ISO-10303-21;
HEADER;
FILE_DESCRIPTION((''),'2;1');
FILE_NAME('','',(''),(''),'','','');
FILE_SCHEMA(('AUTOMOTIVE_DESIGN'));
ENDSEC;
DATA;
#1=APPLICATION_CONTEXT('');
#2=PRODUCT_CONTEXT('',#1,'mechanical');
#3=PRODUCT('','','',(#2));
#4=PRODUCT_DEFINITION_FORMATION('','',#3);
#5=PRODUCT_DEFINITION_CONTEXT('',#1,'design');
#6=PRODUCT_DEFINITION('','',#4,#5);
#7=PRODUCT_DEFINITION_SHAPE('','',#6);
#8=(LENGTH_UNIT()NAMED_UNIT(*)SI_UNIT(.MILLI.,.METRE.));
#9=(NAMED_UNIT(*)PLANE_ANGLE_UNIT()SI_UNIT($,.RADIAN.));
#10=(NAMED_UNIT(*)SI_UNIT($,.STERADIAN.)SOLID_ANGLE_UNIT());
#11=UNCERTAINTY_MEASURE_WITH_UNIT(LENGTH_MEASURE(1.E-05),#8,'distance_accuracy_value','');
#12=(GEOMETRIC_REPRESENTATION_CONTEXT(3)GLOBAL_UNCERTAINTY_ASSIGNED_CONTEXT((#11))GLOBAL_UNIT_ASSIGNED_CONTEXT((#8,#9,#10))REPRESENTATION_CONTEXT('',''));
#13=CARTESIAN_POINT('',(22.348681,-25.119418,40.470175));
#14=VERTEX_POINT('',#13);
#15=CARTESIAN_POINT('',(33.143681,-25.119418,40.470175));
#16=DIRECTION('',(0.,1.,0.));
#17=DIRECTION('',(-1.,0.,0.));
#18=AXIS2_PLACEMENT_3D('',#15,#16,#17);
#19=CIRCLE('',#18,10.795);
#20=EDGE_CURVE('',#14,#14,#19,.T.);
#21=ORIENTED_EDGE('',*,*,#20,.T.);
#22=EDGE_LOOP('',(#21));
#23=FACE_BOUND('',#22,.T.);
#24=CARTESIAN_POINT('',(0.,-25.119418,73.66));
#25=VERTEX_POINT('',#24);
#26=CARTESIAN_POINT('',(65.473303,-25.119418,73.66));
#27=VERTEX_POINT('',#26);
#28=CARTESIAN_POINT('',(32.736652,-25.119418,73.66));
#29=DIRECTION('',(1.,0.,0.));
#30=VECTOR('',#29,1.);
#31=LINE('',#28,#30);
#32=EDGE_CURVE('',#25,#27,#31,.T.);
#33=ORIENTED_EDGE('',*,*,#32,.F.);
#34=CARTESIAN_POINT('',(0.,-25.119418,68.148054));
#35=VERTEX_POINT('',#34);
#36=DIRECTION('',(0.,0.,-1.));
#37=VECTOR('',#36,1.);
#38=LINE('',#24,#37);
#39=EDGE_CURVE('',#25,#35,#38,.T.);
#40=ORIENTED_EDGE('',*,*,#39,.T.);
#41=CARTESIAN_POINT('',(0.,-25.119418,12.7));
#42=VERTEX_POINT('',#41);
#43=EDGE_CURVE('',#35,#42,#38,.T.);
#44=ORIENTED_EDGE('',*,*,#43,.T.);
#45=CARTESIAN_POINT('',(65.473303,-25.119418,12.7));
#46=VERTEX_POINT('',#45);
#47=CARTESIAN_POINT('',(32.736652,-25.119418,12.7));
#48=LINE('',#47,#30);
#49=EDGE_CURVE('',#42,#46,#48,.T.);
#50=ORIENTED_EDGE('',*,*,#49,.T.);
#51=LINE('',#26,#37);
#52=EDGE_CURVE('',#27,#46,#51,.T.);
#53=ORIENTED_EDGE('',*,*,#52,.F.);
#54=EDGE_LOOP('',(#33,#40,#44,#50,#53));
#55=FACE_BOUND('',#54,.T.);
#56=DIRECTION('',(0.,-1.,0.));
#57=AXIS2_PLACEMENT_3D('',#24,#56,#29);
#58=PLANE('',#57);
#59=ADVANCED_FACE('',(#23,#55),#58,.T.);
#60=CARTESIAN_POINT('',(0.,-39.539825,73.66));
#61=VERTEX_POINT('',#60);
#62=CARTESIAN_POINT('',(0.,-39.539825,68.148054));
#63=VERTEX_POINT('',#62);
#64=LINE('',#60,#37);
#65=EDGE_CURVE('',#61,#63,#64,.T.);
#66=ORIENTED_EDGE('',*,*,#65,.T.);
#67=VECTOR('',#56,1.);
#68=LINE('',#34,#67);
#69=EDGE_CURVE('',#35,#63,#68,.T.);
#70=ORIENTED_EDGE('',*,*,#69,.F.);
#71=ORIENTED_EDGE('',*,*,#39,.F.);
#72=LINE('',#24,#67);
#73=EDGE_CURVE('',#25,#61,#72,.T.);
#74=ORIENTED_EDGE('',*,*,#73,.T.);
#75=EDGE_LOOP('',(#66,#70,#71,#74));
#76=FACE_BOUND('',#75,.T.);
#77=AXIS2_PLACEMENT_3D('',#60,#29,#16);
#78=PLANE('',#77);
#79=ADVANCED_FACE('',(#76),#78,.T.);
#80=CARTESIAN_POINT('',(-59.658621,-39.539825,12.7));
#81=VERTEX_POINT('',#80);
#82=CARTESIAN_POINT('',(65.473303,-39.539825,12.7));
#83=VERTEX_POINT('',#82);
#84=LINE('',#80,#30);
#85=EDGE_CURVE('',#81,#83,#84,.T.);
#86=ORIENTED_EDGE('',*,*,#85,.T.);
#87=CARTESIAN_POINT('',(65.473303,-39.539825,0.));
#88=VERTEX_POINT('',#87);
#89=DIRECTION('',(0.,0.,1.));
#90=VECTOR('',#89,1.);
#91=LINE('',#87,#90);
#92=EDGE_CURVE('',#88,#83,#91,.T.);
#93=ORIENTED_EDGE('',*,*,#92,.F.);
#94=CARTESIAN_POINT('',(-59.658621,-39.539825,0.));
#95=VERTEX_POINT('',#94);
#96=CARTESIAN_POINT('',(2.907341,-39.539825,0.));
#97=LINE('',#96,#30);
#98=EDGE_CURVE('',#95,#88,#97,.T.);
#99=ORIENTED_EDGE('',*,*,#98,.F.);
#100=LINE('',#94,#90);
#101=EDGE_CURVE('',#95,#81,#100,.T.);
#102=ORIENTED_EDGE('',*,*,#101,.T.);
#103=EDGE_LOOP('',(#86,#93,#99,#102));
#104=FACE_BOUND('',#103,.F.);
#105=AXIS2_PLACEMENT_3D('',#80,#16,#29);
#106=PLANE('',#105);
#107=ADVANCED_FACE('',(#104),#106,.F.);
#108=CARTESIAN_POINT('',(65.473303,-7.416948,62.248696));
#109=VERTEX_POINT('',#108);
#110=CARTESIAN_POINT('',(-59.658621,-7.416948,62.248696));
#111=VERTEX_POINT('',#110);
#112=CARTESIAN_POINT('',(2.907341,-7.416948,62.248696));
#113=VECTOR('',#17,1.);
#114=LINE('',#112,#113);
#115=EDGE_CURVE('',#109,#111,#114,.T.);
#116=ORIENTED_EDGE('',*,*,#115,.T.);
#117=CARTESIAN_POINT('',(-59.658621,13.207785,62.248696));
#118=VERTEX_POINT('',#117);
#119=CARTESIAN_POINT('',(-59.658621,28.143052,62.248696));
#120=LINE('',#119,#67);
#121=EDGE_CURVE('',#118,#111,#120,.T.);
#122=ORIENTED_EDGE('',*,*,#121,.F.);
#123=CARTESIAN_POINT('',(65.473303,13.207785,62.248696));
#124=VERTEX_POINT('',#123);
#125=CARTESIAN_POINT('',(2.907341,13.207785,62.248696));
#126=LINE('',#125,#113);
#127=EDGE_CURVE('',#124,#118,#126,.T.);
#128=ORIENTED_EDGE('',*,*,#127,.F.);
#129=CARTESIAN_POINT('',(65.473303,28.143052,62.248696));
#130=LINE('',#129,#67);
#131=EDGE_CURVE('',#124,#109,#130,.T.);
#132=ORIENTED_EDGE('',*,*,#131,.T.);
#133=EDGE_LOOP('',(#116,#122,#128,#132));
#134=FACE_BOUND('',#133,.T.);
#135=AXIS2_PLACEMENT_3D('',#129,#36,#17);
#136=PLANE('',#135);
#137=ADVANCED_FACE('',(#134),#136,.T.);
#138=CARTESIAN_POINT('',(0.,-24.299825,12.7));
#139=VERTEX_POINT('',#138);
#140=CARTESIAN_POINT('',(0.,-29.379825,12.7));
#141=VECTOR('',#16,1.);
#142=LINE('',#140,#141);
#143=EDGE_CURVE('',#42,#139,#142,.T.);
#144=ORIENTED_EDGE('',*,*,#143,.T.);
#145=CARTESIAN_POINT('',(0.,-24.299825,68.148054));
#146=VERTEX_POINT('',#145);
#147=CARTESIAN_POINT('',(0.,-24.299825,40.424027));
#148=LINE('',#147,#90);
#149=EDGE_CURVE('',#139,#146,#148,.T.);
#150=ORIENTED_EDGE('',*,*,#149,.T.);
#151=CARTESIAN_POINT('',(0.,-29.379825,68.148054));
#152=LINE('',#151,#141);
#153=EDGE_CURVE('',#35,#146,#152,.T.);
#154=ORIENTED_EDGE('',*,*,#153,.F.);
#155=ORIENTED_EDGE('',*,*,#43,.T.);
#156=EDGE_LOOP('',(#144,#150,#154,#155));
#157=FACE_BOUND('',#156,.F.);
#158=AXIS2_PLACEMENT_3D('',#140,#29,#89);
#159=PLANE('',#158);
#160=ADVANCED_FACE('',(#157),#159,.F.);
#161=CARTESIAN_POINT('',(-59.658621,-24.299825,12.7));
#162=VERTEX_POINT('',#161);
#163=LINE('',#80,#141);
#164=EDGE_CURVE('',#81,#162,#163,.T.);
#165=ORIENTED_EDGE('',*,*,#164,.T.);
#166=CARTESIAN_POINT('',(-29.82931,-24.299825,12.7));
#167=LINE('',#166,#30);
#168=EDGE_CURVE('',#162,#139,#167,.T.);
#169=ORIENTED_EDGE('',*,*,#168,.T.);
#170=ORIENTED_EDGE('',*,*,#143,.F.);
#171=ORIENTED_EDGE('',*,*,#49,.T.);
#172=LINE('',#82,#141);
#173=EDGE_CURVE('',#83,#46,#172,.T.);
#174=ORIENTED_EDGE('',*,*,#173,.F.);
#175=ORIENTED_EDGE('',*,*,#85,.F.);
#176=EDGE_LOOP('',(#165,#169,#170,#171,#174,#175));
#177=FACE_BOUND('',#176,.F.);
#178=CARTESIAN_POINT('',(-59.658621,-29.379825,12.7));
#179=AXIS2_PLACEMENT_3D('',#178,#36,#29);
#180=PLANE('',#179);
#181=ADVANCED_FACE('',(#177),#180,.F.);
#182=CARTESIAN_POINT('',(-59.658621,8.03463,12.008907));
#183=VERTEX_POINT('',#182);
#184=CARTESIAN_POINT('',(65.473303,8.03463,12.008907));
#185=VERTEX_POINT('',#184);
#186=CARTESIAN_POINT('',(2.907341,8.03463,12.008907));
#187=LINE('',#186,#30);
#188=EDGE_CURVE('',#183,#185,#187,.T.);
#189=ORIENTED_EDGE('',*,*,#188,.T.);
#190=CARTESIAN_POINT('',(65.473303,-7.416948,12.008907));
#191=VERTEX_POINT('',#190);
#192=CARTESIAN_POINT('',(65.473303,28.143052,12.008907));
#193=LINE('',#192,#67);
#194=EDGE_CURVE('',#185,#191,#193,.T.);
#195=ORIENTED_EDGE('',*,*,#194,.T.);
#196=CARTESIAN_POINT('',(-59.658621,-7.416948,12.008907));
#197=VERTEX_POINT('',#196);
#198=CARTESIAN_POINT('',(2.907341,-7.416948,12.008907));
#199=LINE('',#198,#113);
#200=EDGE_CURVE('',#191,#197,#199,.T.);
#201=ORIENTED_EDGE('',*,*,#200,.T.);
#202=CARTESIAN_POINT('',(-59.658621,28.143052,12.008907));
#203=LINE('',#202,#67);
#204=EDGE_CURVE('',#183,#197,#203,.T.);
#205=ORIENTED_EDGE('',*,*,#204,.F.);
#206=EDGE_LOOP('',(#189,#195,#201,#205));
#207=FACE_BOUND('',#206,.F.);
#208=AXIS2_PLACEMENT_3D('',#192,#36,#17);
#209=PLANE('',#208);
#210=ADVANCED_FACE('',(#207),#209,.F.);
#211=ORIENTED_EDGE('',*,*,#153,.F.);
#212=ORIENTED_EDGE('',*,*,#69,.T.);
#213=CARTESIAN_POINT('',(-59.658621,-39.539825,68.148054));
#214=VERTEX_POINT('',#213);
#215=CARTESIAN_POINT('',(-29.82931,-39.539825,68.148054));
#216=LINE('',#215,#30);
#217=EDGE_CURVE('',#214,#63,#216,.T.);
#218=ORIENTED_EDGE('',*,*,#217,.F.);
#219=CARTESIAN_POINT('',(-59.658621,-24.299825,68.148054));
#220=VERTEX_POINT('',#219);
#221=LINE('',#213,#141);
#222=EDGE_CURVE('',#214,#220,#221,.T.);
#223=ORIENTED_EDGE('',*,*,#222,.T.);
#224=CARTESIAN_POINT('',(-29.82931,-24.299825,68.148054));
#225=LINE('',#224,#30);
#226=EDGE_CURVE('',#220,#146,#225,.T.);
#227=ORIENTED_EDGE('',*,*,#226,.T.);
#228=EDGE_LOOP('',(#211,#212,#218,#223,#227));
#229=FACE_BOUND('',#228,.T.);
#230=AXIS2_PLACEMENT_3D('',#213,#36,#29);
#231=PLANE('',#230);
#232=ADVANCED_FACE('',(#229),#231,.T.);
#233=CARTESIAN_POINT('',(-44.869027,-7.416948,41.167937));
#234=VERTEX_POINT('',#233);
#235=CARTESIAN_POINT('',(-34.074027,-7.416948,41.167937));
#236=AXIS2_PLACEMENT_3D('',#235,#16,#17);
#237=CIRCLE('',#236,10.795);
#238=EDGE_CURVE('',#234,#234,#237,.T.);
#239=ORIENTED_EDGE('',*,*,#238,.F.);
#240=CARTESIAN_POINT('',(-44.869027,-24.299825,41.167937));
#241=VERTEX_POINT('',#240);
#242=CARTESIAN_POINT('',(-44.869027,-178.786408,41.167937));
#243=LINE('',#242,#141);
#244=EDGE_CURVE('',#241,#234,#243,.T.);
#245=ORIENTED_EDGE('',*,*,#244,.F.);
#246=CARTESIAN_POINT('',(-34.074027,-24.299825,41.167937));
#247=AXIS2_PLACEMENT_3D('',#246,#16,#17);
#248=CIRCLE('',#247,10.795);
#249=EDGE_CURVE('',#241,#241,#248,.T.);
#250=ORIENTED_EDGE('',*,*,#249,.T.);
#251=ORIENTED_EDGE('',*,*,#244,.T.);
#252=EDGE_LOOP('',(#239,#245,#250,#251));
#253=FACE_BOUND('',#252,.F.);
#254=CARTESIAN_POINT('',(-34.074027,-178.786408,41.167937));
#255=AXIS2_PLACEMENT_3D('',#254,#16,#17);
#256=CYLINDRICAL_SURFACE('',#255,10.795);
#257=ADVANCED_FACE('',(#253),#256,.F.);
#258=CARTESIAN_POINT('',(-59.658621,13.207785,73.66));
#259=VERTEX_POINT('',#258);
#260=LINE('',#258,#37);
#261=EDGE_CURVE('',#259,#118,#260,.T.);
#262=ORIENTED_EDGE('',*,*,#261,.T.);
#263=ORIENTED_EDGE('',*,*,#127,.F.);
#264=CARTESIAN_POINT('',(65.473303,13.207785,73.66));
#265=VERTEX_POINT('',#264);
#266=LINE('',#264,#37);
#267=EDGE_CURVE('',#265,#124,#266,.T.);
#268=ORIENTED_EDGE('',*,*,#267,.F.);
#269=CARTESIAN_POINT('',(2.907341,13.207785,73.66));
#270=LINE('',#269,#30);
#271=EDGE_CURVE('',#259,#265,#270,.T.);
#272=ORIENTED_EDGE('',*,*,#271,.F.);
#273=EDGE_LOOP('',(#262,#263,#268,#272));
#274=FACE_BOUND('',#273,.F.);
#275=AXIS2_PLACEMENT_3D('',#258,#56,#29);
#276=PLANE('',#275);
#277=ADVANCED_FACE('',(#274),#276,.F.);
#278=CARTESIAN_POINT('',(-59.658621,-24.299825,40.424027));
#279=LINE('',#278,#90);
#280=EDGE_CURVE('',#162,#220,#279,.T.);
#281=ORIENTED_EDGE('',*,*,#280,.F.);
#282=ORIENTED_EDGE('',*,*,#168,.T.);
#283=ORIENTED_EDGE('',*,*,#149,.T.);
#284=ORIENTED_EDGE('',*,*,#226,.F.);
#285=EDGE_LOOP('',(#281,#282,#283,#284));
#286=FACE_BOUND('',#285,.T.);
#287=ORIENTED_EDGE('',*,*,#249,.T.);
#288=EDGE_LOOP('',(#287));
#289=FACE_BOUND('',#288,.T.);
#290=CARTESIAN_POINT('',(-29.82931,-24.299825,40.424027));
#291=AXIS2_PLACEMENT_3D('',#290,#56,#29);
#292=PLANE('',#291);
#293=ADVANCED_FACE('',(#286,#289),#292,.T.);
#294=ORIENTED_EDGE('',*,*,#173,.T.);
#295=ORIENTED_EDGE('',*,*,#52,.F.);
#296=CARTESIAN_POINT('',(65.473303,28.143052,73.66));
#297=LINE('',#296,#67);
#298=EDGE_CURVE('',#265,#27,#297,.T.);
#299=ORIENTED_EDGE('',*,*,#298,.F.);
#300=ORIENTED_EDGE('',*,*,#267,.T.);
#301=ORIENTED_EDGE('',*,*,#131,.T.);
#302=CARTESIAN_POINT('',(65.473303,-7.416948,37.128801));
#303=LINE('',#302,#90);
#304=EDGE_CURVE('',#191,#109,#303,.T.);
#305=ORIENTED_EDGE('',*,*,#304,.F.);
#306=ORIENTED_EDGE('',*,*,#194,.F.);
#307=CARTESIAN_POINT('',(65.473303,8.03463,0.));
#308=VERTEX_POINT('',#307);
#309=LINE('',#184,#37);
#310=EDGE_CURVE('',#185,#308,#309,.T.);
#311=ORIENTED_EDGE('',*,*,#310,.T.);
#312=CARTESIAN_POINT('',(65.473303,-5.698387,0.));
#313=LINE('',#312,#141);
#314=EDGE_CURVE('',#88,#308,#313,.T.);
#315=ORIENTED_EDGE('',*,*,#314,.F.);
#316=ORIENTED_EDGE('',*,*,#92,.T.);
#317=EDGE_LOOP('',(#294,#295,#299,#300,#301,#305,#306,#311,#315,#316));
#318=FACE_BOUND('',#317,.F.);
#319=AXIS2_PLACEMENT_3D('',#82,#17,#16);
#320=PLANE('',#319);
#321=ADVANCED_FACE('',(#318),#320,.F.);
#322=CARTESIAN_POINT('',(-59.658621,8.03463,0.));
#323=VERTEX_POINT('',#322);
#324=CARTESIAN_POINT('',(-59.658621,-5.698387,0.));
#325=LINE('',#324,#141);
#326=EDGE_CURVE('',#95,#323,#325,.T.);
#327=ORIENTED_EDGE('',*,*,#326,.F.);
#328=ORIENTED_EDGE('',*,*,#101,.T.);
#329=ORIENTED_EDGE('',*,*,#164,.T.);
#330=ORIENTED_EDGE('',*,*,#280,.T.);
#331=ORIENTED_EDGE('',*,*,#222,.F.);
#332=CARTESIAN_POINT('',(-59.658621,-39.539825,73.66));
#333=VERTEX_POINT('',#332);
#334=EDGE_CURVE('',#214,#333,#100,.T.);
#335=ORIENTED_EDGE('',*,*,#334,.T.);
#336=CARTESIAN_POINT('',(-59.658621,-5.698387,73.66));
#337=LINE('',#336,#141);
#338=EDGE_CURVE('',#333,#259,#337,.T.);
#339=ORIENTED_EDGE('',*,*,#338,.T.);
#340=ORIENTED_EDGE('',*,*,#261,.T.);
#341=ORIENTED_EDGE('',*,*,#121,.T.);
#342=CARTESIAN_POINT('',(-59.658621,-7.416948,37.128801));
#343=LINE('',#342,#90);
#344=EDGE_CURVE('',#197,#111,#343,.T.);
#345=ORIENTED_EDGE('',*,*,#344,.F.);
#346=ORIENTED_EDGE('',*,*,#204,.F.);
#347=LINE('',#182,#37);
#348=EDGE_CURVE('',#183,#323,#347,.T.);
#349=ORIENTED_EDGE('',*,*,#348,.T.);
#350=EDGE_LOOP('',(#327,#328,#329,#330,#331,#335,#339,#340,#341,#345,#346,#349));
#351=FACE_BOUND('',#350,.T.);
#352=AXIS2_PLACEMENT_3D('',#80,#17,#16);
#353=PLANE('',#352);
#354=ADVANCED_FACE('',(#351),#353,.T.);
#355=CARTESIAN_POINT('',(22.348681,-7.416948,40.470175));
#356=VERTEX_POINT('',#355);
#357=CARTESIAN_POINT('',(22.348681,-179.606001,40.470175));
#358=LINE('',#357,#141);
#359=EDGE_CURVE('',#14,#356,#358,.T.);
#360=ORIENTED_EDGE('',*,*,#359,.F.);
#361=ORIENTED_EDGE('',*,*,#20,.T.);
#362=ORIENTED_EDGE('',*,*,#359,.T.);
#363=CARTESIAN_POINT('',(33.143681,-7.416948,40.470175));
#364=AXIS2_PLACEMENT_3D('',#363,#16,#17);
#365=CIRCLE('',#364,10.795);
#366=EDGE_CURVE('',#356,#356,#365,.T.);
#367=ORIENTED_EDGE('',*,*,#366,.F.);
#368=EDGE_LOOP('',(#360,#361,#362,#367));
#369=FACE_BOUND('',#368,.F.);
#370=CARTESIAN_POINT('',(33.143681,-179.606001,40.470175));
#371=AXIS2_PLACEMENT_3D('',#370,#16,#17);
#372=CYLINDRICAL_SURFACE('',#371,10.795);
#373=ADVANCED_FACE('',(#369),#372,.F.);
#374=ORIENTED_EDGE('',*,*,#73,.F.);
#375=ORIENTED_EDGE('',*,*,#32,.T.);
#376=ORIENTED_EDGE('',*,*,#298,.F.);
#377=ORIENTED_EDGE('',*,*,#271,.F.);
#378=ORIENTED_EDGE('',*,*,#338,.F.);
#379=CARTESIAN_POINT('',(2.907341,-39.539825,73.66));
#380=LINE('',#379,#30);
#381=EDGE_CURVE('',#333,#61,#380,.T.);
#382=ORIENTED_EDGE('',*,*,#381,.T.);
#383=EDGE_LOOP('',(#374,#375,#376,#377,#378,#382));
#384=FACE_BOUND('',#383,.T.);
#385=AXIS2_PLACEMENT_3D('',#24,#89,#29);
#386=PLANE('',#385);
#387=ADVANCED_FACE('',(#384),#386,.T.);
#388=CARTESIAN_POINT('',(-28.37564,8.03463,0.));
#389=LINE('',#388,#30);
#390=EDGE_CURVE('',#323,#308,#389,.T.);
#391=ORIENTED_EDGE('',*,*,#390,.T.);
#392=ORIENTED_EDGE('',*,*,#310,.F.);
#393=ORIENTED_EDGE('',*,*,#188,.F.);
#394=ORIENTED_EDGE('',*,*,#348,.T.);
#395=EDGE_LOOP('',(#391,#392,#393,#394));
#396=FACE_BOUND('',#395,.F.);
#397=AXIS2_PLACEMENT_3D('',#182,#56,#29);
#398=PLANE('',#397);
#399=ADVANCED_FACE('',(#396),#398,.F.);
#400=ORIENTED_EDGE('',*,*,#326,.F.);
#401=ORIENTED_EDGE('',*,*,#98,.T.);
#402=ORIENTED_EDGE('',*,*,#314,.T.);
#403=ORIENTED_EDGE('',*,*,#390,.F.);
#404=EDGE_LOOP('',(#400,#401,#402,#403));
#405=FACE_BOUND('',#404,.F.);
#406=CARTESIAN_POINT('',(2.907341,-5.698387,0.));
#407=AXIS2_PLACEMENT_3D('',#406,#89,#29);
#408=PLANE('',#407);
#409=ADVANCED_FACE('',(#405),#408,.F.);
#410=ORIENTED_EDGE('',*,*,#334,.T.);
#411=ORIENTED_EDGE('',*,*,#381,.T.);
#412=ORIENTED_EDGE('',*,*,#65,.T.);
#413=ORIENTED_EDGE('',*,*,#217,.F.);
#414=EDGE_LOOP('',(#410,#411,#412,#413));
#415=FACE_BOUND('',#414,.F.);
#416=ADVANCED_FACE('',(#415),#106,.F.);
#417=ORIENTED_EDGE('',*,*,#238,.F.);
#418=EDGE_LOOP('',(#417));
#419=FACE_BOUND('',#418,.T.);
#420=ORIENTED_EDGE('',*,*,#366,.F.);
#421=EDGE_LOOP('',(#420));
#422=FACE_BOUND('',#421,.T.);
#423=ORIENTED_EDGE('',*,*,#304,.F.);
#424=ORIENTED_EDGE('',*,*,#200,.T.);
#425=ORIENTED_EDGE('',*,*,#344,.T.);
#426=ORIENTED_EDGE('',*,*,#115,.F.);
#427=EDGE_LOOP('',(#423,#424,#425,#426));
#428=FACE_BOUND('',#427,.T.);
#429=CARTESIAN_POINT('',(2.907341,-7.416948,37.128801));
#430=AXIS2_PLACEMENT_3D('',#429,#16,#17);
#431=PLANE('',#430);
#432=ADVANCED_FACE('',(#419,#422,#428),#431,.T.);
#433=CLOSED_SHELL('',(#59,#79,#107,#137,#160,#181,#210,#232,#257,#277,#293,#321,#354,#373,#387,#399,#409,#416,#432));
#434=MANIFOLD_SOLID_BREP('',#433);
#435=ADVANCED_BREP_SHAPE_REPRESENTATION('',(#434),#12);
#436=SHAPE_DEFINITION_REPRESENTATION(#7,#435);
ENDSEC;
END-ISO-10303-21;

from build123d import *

# Parameters (mm, degrees)
F0_W      = 125.1319237053
F0_H      = 67.682877183
F1_DEPTH  = 12.7
F2_W      = 125.1319237053
F2_H      = 67.682877183
F3_DEPTH  = 60.96
F4_W      = 65.4733031988
F4_H      = 14.4204068929
F5_DEPTH  = 60.96
F6_W      = 59.6586205065
F6_H      = 55.4480541825
F7_DEPTH  = 10.16
F8_DEPTH  = 5.08
F9_DEPTH  = 5.08
F10_W     = 125.1319237053
F10_H     = 50.2397883683
F11_DEPTH = 35.56
F12_W     = 125.1319237053
F12_H     = 20.1084222645
F13_DEPTH = 25.4
F14_W     = 125.1319237053
F14_H     = 8.8336318731
F15_DEPTH = 25.4
F16_W     = 125.1319237053
F16_H     = 6.1016352847
F17_DEPTH = 25.4
F19_D     = 21.59
F21_D     = 21.59


with BuildPart() as f1:
    # F0 (on Top) → F1 (new body)
    with BuildSketch(Plane.XY):
        with Locations((2.9073413461, -5.6983865798)):
            Rectangle(F0_W, F0_H)
    extrude(amount=F1_DEPTH)

    # F2 (on face) → F3 (join)
    with BuildSketch(Plane.XY.offset(12.7)):
        with Locations((2.9073413461, -5.6983865798)):
            Rectangle(F2_W, F2_H)
    extrude(amount=F3_DEPTH)

    # F4 (on face) → F5 (cut)
    with BuildSketch(Plane.XY.offset(73.66)):
        with Locations((32.7366515994, -32.3296217248)):
            Rectangle(F4_W, F4_H)
    extrude(amount=-F5_DEPTH, mode=Mode.SUBTRACT)

    # F6 (on face) → F7 (cut)
    with BuildSketch(Plane.XZ.offset(39.5398251712)):
        with Locations((-29.8293102533, 40.4240270913)):
            Rectangle(F6_W, F6_H)
    extrude(amount=-F7_DEPTH, mode=Mode.SUBTRACT)

    # F8 (add): a face of the model
    f8_faces = [f1.faces().sort_by_distance(p)[0] for p in [
        (32.7366515994, -25.1194182783, 43.18),
    ]]
    extrude(f8_faces, amount=F8_DEPTH)

    # F9 (cut): faces of the model
    f9_faces = [f1.faces().sort_by_distance(p)[0] for p in [
        (32.7366515994, -30.1994182783, 43.18),
        (-29.8293102533, -29.3798251712, 40.4240270913),
    ]]
    extrude(f9_faces, amount=-F9_DEPTH, mode=Mode.SUBTRACT)

    # F10 (on face) → F11 (cut)
    with BuildSketch(Plane(origin=(0, 28.1430520117, 0), x_dir=(-1, 0, 0), z_dir=(0, 1, 0))):
        with Locations((-2.9073413461, 37.1288014576)):
            Rectangle(F10_W, F10_H)
    extrude(amount=-F11_DEPTH, mode=Mode.SUBTRACT)

    # F12 (on face) → F13 (cut)
    with BuildSketch(Plane.XY.offset(12.0089072734)):
        with Locations((2.9073413461, 18.0888408795)):
            Rectangle(F12_W, F12_H)
    extrude(amount=-F13_DEPTH, mode=Mode.SUBTRACT)

    # F14 (on face) → F15 (cut)
    with BuildSketch(Plane.XY.offset(73.66)):
        with Locations((2.9073413461, 23.7262360752)):
            Rectangle(F14_W, F14_H)
    extrude(amount=-F15_DEPTH, mode=Mode.SUBTRACT)

    # F16 (on face) → F17 (cut)
    with BuildSketch(Plane.XY.offset(73.66)):
        with Locations((2.9073413461, 16.2586024962)):
            Rectangle(F16_W, F16_H)
    extrude(amount=-F17_DEPTH, mode=Mode.SUBTRACT)

    # F19 (through all)
    with Locations(Plane.XZ.offset(24.2998251712)):
        with Locations((-34.0740270913, 41.1679372191)):
            Hole(F19_D / 2)

    # F21 (through all)
    with Locations(Plane.XZ.offset(25.1194182783)):
        with Locations((33.1436805427, 40.4701754451)):
            Hole(F21_D / 2)


solid = f1.part
